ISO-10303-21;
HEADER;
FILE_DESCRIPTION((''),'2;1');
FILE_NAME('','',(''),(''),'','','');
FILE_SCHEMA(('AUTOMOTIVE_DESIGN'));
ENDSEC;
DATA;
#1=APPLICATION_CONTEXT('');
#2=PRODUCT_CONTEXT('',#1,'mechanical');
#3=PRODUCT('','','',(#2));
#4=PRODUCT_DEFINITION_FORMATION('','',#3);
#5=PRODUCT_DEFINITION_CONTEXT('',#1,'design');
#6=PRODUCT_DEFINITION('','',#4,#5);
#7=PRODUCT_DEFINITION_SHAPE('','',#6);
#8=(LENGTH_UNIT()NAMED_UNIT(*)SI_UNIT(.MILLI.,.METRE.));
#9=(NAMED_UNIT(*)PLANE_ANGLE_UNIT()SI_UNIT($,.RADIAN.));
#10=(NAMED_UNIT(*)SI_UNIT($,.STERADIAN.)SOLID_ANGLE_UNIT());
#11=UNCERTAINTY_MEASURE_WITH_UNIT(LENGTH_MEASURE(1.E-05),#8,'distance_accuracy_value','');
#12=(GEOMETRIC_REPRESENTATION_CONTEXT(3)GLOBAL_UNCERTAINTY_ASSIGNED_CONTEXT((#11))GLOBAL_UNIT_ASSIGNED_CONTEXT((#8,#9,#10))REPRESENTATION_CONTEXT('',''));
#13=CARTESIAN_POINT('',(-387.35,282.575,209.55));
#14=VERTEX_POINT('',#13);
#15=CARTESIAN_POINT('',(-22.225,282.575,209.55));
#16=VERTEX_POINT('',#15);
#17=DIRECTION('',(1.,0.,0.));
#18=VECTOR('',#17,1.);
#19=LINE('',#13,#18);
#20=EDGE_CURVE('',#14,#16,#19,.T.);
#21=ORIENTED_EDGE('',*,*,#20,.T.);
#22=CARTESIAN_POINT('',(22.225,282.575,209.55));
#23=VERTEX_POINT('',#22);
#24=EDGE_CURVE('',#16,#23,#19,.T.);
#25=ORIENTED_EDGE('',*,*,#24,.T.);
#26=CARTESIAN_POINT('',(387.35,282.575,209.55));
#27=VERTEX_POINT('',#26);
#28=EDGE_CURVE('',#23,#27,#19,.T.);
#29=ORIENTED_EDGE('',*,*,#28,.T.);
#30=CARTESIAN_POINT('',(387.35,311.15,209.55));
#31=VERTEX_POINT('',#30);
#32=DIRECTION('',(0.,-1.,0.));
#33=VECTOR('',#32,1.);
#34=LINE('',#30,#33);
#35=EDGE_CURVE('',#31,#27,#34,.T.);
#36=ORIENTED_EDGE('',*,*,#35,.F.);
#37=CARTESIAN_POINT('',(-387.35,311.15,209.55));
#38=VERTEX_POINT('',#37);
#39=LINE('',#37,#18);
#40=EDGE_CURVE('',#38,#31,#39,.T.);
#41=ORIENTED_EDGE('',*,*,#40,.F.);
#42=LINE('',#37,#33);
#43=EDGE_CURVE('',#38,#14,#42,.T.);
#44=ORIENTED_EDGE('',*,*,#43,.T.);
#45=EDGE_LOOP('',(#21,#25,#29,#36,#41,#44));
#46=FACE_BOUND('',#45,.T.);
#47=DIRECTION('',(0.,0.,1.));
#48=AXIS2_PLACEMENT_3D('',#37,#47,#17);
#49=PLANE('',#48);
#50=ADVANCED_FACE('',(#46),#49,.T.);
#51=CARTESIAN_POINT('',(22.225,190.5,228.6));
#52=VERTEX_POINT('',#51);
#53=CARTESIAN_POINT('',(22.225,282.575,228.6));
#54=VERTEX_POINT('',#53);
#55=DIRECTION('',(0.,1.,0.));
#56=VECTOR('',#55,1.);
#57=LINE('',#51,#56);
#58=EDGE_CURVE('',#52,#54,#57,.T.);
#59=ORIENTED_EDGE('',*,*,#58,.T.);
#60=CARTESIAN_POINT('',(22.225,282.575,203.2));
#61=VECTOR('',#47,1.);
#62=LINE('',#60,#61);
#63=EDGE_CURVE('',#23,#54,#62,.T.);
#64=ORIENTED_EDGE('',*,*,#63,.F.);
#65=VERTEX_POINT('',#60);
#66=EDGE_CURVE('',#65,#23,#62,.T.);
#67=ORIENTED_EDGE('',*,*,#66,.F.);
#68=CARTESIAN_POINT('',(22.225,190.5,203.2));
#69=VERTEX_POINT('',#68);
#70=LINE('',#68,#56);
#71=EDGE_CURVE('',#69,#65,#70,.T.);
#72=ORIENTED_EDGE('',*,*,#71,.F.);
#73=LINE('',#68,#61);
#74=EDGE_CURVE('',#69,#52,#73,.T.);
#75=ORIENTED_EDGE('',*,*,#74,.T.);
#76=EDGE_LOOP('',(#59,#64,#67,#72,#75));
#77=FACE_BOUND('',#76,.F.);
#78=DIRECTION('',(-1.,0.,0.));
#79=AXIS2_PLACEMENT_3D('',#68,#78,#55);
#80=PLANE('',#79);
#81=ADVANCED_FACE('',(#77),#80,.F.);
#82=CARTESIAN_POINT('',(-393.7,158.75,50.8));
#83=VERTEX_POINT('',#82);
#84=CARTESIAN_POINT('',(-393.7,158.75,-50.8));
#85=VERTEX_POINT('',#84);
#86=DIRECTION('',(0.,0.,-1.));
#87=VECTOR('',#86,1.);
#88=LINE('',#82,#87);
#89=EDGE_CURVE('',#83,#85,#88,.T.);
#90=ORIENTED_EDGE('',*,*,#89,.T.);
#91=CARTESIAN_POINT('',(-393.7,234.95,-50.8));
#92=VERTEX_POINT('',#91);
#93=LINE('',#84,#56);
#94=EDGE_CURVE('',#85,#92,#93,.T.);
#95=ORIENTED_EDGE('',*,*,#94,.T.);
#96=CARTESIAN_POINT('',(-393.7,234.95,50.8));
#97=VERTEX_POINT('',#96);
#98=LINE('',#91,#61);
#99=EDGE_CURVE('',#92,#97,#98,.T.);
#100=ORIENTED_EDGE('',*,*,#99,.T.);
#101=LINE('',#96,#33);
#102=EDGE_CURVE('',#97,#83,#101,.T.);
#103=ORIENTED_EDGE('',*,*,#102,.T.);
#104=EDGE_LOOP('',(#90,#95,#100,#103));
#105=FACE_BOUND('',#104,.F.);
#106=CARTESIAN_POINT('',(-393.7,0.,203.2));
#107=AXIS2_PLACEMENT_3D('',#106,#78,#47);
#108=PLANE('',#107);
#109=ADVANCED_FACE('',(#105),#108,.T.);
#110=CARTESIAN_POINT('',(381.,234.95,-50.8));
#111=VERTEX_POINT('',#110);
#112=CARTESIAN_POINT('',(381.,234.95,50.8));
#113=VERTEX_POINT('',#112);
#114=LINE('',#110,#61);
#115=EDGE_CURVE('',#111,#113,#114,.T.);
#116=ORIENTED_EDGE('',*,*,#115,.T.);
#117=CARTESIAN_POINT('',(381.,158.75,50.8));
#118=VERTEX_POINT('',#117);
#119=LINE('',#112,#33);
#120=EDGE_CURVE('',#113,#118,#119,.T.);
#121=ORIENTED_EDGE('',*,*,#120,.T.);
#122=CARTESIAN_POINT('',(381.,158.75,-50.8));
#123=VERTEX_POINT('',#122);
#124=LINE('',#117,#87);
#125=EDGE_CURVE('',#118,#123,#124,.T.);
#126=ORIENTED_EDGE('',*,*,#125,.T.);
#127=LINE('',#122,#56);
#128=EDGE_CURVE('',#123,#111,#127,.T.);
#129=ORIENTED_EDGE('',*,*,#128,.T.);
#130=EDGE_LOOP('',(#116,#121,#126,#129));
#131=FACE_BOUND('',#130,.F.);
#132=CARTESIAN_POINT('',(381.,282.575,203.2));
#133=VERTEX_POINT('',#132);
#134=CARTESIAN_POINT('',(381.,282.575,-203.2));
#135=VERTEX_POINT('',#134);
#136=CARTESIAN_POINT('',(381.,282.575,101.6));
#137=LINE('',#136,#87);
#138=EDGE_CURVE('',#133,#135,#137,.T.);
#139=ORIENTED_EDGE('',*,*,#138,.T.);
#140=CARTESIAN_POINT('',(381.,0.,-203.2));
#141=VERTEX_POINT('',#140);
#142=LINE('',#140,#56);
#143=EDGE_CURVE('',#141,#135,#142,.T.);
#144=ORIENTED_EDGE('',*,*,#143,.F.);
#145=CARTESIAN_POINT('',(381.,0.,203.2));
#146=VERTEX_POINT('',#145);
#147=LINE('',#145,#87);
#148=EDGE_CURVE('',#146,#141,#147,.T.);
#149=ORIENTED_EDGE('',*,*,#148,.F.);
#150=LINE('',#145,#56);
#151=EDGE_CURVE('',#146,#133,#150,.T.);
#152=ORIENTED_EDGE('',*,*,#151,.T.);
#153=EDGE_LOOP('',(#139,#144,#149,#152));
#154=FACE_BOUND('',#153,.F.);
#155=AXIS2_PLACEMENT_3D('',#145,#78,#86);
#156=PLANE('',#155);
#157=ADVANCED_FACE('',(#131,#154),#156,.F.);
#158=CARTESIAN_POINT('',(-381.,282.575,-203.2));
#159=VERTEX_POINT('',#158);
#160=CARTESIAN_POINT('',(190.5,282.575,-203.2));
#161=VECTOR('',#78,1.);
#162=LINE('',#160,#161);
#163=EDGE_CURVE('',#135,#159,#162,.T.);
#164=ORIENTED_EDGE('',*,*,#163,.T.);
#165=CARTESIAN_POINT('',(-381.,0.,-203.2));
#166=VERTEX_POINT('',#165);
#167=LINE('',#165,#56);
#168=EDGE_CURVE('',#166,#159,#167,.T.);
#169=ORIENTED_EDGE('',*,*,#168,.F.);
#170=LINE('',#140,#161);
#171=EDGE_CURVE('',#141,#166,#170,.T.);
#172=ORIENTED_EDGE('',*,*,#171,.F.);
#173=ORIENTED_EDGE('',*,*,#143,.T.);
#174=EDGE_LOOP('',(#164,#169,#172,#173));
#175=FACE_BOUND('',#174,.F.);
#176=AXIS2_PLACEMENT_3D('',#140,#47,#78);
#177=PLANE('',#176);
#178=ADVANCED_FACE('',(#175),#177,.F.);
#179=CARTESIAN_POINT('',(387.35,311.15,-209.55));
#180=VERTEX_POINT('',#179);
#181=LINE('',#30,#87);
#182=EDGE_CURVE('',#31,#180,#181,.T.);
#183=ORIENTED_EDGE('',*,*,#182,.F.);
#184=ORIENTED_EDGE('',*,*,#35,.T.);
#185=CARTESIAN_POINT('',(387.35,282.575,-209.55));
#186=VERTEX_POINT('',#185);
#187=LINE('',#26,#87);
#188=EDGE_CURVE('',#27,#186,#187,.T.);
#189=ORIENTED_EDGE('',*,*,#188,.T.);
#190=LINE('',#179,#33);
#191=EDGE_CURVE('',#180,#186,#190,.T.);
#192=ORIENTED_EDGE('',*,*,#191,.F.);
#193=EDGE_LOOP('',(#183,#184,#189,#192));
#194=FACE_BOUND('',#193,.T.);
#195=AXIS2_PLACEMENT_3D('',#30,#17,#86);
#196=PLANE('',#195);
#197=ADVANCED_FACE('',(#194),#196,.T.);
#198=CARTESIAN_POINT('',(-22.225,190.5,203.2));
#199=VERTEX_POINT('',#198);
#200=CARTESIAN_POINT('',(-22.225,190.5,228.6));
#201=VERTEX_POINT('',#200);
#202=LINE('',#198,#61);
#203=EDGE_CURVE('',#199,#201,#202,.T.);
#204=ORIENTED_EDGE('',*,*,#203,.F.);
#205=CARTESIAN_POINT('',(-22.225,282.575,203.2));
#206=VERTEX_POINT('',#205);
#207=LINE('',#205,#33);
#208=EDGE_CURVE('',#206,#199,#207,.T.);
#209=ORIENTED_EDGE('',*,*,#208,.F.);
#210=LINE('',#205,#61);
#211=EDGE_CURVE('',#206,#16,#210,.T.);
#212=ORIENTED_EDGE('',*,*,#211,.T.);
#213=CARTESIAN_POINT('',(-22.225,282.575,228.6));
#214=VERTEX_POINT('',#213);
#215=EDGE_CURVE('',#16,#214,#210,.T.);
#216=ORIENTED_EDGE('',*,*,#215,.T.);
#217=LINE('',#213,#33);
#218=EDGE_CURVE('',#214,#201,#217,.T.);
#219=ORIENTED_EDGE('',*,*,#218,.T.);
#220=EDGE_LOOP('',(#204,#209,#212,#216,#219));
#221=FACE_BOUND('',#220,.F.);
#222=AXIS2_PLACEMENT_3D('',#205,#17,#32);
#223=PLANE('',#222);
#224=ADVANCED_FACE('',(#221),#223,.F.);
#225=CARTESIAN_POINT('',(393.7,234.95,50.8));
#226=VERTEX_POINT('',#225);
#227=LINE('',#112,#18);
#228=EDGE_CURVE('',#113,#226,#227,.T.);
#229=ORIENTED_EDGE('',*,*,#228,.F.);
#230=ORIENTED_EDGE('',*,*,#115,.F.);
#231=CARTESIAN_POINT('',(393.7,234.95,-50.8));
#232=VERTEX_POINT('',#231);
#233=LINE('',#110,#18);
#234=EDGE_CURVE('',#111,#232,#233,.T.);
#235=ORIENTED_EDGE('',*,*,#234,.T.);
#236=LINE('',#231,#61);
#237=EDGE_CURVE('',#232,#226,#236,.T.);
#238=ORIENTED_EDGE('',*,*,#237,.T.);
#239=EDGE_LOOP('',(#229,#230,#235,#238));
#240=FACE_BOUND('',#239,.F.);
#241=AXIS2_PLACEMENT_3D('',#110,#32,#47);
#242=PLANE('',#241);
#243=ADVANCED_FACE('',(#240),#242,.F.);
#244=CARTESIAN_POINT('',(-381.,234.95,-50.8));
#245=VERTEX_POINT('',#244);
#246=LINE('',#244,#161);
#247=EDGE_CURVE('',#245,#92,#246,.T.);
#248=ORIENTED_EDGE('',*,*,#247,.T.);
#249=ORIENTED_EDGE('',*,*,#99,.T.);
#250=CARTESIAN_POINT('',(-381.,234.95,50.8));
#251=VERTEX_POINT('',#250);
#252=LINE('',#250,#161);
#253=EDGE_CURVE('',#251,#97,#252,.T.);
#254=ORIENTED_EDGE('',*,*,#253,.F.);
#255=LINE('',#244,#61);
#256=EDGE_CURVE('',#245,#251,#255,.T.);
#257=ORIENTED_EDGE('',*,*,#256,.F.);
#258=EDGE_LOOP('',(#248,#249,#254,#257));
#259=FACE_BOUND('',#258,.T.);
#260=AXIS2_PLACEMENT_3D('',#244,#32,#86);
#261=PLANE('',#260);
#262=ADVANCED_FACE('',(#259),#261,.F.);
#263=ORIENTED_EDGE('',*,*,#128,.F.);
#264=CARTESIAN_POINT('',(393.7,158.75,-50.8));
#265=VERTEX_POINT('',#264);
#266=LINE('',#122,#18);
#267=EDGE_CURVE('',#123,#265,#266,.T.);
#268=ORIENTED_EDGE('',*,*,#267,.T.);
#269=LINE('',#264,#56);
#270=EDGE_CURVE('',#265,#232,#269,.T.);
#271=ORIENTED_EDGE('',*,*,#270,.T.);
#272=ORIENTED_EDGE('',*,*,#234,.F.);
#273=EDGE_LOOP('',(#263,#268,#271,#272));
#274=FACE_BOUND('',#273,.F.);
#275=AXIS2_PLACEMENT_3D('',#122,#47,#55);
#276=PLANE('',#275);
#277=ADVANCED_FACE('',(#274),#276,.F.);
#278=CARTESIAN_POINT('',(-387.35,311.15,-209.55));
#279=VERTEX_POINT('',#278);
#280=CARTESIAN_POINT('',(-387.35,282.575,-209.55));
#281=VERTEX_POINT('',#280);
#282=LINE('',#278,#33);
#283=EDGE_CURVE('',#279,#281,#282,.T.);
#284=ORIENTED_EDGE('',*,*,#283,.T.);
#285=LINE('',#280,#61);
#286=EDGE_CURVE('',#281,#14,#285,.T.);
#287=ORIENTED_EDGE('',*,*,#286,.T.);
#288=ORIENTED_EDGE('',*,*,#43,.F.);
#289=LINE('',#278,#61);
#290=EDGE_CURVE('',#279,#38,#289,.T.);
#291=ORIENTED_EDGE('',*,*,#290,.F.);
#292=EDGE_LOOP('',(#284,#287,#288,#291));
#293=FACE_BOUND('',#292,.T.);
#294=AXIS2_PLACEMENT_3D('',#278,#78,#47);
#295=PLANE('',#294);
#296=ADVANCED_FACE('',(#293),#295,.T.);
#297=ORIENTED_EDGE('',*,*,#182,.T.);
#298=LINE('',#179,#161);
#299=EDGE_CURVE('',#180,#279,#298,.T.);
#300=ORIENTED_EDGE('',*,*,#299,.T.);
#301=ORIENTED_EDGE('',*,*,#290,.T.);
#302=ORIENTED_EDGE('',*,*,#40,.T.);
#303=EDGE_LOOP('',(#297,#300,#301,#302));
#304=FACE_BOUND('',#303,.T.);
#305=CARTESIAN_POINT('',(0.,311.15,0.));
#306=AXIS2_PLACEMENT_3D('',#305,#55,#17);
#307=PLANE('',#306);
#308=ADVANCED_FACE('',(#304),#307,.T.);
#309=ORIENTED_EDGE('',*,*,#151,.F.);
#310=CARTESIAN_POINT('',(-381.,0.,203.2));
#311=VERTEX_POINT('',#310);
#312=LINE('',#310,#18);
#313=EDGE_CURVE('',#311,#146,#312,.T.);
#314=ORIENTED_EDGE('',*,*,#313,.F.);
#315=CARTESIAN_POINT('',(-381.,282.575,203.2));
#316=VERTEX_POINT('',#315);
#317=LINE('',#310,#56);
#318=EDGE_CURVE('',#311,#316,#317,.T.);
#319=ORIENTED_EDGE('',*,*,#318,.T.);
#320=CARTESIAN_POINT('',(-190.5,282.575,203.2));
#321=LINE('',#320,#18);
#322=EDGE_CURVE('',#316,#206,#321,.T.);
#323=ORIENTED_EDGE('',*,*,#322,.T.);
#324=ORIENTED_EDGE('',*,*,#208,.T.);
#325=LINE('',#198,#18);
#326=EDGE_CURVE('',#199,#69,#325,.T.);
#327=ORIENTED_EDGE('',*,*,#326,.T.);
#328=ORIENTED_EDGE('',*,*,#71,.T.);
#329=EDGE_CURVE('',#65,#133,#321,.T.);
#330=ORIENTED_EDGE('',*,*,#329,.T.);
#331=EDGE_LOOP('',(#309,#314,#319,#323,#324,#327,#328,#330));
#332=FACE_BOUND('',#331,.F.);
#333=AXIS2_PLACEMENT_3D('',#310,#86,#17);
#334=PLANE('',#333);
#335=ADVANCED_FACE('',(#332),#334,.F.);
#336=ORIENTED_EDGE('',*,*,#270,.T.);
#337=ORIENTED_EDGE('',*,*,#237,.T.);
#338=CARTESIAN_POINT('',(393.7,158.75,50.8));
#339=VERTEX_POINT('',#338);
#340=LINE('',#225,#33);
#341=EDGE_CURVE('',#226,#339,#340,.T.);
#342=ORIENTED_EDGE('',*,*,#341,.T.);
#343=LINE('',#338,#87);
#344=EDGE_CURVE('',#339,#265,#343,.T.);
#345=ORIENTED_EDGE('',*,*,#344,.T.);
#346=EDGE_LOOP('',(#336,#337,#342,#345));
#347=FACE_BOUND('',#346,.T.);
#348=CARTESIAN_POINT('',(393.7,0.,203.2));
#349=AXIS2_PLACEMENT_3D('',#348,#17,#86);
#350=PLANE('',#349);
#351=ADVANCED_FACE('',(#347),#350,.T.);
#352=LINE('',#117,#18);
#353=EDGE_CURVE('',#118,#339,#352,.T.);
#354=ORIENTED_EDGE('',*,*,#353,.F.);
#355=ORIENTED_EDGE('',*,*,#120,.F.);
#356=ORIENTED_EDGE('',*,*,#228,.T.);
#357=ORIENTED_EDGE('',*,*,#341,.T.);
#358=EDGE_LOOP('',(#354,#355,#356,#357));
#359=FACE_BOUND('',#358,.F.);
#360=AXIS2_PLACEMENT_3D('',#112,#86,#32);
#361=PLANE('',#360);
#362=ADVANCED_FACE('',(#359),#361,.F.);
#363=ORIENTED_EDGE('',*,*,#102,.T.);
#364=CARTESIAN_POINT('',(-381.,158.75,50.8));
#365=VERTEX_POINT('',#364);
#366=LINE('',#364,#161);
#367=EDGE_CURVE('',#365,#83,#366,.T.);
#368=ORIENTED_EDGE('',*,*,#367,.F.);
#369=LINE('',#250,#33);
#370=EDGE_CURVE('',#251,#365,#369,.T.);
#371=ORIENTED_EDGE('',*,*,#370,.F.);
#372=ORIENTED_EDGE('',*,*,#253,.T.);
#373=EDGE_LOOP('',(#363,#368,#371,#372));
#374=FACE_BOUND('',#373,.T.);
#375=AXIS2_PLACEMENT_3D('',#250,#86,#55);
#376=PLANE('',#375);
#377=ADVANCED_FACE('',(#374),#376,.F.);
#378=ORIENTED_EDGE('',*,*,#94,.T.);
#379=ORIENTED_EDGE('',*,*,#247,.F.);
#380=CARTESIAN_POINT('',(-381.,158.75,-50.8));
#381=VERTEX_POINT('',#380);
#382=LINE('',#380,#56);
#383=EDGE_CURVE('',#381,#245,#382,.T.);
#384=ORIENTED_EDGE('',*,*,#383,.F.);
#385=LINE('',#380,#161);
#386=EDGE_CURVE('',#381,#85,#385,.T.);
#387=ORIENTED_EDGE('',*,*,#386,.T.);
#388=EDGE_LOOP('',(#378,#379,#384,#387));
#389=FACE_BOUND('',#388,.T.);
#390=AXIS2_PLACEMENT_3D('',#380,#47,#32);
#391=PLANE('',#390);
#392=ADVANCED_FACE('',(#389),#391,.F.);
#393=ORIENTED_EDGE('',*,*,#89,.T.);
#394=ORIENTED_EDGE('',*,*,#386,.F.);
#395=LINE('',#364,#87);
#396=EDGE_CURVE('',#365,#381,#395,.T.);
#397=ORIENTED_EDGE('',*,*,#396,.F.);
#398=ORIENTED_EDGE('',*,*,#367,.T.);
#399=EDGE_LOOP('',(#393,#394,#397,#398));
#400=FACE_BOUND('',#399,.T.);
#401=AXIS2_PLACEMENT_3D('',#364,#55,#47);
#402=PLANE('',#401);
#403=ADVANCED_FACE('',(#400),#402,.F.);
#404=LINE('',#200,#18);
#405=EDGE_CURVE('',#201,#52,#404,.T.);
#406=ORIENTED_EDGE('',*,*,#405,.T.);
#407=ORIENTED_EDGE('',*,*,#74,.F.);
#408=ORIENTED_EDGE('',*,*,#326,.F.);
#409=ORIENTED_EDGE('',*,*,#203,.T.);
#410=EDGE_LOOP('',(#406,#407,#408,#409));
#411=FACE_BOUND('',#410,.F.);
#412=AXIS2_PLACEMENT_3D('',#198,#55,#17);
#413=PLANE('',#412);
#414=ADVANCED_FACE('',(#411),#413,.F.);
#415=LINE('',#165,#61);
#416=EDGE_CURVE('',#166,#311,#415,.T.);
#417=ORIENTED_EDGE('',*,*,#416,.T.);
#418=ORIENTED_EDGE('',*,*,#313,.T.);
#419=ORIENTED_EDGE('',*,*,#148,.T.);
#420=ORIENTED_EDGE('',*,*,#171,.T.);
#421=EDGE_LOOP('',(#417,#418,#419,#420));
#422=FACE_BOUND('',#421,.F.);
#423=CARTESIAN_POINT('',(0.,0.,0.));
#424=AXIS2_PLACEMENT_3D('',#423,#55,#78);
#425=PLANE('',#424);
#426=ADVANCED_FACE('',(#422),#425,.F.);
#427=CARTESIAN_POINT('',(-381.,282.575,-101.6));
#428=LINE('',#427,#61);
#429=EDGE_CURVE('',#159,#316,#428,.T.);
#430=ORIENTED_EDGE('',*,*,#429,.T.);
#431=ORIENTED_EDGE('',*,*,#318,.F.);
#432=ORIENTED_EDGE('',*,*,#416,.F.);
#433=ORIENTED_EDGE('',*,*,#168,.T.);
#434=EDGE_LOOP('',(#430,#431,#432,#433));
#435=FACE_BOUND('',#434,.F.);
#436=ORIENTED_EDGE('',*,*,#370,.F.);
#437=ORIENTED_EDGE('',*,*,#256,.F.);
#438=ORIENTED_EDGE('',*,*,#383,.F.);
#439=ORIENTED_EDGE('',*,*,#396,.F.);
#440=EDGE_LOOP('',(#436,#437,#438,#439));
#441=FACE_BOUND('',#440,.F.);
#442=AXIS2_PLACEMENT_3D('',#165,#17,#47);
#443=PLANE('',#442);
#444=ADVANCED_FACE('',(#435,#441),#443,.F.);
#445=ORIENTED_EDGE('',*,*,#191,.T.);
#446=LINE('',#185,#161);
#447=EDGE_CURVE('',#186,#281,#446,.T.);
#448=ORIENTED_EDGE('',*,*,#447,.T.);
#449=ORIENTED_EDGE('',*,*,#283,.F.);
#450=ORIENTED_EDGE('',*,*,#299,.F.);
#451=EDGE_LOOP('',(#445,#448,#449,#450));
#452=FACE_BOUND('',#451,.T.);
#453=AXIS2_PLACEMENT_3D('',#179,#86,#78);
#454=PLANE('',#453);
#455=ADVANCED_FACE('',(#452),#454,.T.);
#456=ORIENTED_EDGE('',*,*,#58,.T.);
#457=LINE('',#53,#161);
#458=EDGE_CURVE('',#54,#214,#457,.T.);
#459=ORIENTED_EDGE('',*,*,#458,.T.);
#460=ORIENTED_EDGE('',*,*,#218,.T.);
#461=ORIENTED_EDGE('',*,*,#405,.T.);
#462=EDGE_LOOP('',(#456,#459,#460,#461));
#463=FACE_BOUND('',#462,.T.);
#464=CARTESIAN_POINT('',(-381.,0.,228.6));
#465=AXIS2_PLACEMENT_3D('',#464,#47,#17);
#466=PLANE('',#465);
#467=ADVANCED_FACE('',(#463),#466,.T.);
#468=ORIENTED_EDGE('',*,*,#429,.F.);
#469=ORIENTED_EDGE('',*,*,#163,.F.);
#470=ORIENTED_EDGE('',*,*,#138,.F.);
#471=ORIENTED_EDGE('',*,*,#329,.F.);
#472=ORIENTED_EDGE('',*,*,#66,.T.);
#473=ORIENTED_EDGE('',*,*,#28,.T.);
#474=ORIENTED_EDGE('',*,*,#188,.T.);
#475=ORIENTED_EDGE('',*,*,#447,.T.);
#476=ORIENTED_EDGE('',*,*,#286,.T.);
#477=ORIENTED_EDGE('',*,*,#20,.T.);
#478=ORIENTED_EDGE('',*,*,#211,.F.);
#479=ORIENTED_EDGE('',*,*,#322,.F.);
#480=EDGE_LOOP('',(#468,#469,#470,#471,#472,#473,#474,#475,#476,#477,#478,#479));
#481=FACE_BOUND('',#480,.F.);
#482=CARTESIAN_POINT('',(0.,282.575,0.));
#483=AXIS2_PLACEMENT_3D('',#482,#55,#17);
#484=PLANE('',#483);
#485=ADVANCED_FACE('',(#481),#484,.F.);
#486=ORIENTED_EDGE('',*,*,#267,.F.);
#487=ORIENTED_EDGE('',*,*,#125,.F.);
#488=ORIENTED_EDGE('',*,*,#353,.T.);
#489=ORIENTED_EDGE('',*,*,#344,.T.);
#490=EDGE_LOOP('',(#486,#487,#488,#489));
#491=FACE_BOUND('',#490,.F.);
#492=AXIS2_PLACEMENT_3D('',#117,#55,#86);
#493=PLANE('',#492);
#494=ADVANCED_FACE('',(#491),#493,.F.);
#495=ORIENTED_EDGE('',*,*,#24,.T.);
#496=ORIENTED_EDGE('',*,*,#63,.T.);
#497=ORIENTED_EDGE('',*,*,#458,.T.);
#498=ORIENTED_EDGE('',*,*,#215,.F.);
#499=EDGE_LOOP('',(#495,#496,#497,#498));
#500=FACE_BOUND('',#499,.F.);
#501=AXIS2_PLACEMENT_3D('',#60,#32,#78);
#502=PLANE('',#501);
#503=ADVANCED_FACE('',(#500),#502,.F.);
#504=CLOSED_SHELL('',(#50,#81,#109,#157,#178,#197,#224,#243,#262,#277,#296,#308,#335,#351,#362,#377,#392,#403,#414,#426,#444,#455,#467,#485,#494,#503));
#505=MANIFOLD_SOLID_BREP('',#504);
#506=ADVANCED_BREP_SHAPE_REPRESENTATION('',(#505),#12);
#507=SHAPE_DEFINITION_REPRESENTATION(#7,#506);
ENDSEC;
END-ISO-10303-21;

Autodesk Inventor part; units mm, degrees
ref_plane "YZ Plane" through (0, 0, 0) normal (1, 0, 0) x (0, 1, 0)
ref_plane "XZ Plane" through (0, 0, 0) normal (0, 1, 0) x (-1, 0, 0)
ref_plane "XY Plane" through (0, 0, 0) normal (0, 0, 1) x (1, 0, 0)
sketch "Sketch1" plane through (0, 0, 0) normal (0, 1, 0) x (-1, 0, 0)
  line L0 (381, 203.2) -> (-381, 203.2)
  line L1 (-381, 203.2) -> (-381, -203.2)
  line L2 (-381, -203.2) -> (381, -203.2)
  line L3 (381, -203.2) -> (381, 203.2)
  line L4 (381, 203.2) -> (-381, -203.2) construction
  line L5 (-381, 203.2) -> (381, -203.2) construction
  point P0 (0, 0)
  dimension "d0" = 762
  dimension "d1" = 406.4
extrude "Extrusion1" add sketch "Sketch1" along normal blind 311.15
sketch "Sketch2" plane through (0, 311.15, 0) normal (0, 1, 0) x (1, 0, 0)
  line L0 (-387.35, -209.55) -> (387.35, -209.55)
  line L1 (387.35, -209.55) -> (387.35, 209.55)
  line L2 (387.35, 209.55) -> (-387.35, 209.55)
  line L3 (-387.35, 209.55) -> (-387.35, -209.55)
  line L4 (-387.35, -209.55) -> (387.35, 209.55) construction
  line L5 (387.35, -209.55) -> (-387.35, 209.55) construction
  point P0 (-381, -203.2)
  point P1 (381, -203.2)
  point P2 (0, 0)
  dimension "d20" = 774.7
  dimension "d21" = 419.1
extrude "Extrusion2" add sketch "Sketch2" against normal blind 28.575
sketch "Sketch3" plane through (-381, 0, 203.2) normal (0, 0, 1) x (1, 0, 0)
  line L0 (358.775, 190.5) -> (403.225, 190.5)
  line L1 (403.225, 190.5) -> (403.225, 282.575)
  line L2 (403.225, 282.575) -> (358.775, 282.575)
  line L3 (358.775, 282.575) -> (358.775, 190.5)
  line L4 (762, 282.575) -> (0, 282.575) construction
  point P0 (381, 0)
  point P1 (381, 190.5)
  dimension "d7" = 44.45
  dimension "d8" = 190.5
extrude "Extrusion3" add sketch "Sketch3" along normal blind 25.4
sketch "Sketch4" plane through (381, 0, 203.2) normal (1, 0, 0) x (0, 0, -1)
  line L0 (152.4, 158.75) -> (254, 158.75)
  line L1 (254, 158.75) -> (254, 234.95)
  line L2 (254, 234.95) -> (152.4, 234.95)
  line L3 (152.4, 234.95) -> (152.4, 158.75)
  point P0 (203.2, 0)
  point P1 (203.2, 158.75)
  dimension "d11" = 101.6
  dimension "d12" = 158.75
  dimension "d13" = 76.2
extrude "Extrusion4" add sketch "Sketch4" along normal blind 12.7
mirror "Mirror1" about plane through (0, 0, 0) normal (1, 0, 0) of "Extrusion4"
properties part number "Jobox tool box" material "Copper"
